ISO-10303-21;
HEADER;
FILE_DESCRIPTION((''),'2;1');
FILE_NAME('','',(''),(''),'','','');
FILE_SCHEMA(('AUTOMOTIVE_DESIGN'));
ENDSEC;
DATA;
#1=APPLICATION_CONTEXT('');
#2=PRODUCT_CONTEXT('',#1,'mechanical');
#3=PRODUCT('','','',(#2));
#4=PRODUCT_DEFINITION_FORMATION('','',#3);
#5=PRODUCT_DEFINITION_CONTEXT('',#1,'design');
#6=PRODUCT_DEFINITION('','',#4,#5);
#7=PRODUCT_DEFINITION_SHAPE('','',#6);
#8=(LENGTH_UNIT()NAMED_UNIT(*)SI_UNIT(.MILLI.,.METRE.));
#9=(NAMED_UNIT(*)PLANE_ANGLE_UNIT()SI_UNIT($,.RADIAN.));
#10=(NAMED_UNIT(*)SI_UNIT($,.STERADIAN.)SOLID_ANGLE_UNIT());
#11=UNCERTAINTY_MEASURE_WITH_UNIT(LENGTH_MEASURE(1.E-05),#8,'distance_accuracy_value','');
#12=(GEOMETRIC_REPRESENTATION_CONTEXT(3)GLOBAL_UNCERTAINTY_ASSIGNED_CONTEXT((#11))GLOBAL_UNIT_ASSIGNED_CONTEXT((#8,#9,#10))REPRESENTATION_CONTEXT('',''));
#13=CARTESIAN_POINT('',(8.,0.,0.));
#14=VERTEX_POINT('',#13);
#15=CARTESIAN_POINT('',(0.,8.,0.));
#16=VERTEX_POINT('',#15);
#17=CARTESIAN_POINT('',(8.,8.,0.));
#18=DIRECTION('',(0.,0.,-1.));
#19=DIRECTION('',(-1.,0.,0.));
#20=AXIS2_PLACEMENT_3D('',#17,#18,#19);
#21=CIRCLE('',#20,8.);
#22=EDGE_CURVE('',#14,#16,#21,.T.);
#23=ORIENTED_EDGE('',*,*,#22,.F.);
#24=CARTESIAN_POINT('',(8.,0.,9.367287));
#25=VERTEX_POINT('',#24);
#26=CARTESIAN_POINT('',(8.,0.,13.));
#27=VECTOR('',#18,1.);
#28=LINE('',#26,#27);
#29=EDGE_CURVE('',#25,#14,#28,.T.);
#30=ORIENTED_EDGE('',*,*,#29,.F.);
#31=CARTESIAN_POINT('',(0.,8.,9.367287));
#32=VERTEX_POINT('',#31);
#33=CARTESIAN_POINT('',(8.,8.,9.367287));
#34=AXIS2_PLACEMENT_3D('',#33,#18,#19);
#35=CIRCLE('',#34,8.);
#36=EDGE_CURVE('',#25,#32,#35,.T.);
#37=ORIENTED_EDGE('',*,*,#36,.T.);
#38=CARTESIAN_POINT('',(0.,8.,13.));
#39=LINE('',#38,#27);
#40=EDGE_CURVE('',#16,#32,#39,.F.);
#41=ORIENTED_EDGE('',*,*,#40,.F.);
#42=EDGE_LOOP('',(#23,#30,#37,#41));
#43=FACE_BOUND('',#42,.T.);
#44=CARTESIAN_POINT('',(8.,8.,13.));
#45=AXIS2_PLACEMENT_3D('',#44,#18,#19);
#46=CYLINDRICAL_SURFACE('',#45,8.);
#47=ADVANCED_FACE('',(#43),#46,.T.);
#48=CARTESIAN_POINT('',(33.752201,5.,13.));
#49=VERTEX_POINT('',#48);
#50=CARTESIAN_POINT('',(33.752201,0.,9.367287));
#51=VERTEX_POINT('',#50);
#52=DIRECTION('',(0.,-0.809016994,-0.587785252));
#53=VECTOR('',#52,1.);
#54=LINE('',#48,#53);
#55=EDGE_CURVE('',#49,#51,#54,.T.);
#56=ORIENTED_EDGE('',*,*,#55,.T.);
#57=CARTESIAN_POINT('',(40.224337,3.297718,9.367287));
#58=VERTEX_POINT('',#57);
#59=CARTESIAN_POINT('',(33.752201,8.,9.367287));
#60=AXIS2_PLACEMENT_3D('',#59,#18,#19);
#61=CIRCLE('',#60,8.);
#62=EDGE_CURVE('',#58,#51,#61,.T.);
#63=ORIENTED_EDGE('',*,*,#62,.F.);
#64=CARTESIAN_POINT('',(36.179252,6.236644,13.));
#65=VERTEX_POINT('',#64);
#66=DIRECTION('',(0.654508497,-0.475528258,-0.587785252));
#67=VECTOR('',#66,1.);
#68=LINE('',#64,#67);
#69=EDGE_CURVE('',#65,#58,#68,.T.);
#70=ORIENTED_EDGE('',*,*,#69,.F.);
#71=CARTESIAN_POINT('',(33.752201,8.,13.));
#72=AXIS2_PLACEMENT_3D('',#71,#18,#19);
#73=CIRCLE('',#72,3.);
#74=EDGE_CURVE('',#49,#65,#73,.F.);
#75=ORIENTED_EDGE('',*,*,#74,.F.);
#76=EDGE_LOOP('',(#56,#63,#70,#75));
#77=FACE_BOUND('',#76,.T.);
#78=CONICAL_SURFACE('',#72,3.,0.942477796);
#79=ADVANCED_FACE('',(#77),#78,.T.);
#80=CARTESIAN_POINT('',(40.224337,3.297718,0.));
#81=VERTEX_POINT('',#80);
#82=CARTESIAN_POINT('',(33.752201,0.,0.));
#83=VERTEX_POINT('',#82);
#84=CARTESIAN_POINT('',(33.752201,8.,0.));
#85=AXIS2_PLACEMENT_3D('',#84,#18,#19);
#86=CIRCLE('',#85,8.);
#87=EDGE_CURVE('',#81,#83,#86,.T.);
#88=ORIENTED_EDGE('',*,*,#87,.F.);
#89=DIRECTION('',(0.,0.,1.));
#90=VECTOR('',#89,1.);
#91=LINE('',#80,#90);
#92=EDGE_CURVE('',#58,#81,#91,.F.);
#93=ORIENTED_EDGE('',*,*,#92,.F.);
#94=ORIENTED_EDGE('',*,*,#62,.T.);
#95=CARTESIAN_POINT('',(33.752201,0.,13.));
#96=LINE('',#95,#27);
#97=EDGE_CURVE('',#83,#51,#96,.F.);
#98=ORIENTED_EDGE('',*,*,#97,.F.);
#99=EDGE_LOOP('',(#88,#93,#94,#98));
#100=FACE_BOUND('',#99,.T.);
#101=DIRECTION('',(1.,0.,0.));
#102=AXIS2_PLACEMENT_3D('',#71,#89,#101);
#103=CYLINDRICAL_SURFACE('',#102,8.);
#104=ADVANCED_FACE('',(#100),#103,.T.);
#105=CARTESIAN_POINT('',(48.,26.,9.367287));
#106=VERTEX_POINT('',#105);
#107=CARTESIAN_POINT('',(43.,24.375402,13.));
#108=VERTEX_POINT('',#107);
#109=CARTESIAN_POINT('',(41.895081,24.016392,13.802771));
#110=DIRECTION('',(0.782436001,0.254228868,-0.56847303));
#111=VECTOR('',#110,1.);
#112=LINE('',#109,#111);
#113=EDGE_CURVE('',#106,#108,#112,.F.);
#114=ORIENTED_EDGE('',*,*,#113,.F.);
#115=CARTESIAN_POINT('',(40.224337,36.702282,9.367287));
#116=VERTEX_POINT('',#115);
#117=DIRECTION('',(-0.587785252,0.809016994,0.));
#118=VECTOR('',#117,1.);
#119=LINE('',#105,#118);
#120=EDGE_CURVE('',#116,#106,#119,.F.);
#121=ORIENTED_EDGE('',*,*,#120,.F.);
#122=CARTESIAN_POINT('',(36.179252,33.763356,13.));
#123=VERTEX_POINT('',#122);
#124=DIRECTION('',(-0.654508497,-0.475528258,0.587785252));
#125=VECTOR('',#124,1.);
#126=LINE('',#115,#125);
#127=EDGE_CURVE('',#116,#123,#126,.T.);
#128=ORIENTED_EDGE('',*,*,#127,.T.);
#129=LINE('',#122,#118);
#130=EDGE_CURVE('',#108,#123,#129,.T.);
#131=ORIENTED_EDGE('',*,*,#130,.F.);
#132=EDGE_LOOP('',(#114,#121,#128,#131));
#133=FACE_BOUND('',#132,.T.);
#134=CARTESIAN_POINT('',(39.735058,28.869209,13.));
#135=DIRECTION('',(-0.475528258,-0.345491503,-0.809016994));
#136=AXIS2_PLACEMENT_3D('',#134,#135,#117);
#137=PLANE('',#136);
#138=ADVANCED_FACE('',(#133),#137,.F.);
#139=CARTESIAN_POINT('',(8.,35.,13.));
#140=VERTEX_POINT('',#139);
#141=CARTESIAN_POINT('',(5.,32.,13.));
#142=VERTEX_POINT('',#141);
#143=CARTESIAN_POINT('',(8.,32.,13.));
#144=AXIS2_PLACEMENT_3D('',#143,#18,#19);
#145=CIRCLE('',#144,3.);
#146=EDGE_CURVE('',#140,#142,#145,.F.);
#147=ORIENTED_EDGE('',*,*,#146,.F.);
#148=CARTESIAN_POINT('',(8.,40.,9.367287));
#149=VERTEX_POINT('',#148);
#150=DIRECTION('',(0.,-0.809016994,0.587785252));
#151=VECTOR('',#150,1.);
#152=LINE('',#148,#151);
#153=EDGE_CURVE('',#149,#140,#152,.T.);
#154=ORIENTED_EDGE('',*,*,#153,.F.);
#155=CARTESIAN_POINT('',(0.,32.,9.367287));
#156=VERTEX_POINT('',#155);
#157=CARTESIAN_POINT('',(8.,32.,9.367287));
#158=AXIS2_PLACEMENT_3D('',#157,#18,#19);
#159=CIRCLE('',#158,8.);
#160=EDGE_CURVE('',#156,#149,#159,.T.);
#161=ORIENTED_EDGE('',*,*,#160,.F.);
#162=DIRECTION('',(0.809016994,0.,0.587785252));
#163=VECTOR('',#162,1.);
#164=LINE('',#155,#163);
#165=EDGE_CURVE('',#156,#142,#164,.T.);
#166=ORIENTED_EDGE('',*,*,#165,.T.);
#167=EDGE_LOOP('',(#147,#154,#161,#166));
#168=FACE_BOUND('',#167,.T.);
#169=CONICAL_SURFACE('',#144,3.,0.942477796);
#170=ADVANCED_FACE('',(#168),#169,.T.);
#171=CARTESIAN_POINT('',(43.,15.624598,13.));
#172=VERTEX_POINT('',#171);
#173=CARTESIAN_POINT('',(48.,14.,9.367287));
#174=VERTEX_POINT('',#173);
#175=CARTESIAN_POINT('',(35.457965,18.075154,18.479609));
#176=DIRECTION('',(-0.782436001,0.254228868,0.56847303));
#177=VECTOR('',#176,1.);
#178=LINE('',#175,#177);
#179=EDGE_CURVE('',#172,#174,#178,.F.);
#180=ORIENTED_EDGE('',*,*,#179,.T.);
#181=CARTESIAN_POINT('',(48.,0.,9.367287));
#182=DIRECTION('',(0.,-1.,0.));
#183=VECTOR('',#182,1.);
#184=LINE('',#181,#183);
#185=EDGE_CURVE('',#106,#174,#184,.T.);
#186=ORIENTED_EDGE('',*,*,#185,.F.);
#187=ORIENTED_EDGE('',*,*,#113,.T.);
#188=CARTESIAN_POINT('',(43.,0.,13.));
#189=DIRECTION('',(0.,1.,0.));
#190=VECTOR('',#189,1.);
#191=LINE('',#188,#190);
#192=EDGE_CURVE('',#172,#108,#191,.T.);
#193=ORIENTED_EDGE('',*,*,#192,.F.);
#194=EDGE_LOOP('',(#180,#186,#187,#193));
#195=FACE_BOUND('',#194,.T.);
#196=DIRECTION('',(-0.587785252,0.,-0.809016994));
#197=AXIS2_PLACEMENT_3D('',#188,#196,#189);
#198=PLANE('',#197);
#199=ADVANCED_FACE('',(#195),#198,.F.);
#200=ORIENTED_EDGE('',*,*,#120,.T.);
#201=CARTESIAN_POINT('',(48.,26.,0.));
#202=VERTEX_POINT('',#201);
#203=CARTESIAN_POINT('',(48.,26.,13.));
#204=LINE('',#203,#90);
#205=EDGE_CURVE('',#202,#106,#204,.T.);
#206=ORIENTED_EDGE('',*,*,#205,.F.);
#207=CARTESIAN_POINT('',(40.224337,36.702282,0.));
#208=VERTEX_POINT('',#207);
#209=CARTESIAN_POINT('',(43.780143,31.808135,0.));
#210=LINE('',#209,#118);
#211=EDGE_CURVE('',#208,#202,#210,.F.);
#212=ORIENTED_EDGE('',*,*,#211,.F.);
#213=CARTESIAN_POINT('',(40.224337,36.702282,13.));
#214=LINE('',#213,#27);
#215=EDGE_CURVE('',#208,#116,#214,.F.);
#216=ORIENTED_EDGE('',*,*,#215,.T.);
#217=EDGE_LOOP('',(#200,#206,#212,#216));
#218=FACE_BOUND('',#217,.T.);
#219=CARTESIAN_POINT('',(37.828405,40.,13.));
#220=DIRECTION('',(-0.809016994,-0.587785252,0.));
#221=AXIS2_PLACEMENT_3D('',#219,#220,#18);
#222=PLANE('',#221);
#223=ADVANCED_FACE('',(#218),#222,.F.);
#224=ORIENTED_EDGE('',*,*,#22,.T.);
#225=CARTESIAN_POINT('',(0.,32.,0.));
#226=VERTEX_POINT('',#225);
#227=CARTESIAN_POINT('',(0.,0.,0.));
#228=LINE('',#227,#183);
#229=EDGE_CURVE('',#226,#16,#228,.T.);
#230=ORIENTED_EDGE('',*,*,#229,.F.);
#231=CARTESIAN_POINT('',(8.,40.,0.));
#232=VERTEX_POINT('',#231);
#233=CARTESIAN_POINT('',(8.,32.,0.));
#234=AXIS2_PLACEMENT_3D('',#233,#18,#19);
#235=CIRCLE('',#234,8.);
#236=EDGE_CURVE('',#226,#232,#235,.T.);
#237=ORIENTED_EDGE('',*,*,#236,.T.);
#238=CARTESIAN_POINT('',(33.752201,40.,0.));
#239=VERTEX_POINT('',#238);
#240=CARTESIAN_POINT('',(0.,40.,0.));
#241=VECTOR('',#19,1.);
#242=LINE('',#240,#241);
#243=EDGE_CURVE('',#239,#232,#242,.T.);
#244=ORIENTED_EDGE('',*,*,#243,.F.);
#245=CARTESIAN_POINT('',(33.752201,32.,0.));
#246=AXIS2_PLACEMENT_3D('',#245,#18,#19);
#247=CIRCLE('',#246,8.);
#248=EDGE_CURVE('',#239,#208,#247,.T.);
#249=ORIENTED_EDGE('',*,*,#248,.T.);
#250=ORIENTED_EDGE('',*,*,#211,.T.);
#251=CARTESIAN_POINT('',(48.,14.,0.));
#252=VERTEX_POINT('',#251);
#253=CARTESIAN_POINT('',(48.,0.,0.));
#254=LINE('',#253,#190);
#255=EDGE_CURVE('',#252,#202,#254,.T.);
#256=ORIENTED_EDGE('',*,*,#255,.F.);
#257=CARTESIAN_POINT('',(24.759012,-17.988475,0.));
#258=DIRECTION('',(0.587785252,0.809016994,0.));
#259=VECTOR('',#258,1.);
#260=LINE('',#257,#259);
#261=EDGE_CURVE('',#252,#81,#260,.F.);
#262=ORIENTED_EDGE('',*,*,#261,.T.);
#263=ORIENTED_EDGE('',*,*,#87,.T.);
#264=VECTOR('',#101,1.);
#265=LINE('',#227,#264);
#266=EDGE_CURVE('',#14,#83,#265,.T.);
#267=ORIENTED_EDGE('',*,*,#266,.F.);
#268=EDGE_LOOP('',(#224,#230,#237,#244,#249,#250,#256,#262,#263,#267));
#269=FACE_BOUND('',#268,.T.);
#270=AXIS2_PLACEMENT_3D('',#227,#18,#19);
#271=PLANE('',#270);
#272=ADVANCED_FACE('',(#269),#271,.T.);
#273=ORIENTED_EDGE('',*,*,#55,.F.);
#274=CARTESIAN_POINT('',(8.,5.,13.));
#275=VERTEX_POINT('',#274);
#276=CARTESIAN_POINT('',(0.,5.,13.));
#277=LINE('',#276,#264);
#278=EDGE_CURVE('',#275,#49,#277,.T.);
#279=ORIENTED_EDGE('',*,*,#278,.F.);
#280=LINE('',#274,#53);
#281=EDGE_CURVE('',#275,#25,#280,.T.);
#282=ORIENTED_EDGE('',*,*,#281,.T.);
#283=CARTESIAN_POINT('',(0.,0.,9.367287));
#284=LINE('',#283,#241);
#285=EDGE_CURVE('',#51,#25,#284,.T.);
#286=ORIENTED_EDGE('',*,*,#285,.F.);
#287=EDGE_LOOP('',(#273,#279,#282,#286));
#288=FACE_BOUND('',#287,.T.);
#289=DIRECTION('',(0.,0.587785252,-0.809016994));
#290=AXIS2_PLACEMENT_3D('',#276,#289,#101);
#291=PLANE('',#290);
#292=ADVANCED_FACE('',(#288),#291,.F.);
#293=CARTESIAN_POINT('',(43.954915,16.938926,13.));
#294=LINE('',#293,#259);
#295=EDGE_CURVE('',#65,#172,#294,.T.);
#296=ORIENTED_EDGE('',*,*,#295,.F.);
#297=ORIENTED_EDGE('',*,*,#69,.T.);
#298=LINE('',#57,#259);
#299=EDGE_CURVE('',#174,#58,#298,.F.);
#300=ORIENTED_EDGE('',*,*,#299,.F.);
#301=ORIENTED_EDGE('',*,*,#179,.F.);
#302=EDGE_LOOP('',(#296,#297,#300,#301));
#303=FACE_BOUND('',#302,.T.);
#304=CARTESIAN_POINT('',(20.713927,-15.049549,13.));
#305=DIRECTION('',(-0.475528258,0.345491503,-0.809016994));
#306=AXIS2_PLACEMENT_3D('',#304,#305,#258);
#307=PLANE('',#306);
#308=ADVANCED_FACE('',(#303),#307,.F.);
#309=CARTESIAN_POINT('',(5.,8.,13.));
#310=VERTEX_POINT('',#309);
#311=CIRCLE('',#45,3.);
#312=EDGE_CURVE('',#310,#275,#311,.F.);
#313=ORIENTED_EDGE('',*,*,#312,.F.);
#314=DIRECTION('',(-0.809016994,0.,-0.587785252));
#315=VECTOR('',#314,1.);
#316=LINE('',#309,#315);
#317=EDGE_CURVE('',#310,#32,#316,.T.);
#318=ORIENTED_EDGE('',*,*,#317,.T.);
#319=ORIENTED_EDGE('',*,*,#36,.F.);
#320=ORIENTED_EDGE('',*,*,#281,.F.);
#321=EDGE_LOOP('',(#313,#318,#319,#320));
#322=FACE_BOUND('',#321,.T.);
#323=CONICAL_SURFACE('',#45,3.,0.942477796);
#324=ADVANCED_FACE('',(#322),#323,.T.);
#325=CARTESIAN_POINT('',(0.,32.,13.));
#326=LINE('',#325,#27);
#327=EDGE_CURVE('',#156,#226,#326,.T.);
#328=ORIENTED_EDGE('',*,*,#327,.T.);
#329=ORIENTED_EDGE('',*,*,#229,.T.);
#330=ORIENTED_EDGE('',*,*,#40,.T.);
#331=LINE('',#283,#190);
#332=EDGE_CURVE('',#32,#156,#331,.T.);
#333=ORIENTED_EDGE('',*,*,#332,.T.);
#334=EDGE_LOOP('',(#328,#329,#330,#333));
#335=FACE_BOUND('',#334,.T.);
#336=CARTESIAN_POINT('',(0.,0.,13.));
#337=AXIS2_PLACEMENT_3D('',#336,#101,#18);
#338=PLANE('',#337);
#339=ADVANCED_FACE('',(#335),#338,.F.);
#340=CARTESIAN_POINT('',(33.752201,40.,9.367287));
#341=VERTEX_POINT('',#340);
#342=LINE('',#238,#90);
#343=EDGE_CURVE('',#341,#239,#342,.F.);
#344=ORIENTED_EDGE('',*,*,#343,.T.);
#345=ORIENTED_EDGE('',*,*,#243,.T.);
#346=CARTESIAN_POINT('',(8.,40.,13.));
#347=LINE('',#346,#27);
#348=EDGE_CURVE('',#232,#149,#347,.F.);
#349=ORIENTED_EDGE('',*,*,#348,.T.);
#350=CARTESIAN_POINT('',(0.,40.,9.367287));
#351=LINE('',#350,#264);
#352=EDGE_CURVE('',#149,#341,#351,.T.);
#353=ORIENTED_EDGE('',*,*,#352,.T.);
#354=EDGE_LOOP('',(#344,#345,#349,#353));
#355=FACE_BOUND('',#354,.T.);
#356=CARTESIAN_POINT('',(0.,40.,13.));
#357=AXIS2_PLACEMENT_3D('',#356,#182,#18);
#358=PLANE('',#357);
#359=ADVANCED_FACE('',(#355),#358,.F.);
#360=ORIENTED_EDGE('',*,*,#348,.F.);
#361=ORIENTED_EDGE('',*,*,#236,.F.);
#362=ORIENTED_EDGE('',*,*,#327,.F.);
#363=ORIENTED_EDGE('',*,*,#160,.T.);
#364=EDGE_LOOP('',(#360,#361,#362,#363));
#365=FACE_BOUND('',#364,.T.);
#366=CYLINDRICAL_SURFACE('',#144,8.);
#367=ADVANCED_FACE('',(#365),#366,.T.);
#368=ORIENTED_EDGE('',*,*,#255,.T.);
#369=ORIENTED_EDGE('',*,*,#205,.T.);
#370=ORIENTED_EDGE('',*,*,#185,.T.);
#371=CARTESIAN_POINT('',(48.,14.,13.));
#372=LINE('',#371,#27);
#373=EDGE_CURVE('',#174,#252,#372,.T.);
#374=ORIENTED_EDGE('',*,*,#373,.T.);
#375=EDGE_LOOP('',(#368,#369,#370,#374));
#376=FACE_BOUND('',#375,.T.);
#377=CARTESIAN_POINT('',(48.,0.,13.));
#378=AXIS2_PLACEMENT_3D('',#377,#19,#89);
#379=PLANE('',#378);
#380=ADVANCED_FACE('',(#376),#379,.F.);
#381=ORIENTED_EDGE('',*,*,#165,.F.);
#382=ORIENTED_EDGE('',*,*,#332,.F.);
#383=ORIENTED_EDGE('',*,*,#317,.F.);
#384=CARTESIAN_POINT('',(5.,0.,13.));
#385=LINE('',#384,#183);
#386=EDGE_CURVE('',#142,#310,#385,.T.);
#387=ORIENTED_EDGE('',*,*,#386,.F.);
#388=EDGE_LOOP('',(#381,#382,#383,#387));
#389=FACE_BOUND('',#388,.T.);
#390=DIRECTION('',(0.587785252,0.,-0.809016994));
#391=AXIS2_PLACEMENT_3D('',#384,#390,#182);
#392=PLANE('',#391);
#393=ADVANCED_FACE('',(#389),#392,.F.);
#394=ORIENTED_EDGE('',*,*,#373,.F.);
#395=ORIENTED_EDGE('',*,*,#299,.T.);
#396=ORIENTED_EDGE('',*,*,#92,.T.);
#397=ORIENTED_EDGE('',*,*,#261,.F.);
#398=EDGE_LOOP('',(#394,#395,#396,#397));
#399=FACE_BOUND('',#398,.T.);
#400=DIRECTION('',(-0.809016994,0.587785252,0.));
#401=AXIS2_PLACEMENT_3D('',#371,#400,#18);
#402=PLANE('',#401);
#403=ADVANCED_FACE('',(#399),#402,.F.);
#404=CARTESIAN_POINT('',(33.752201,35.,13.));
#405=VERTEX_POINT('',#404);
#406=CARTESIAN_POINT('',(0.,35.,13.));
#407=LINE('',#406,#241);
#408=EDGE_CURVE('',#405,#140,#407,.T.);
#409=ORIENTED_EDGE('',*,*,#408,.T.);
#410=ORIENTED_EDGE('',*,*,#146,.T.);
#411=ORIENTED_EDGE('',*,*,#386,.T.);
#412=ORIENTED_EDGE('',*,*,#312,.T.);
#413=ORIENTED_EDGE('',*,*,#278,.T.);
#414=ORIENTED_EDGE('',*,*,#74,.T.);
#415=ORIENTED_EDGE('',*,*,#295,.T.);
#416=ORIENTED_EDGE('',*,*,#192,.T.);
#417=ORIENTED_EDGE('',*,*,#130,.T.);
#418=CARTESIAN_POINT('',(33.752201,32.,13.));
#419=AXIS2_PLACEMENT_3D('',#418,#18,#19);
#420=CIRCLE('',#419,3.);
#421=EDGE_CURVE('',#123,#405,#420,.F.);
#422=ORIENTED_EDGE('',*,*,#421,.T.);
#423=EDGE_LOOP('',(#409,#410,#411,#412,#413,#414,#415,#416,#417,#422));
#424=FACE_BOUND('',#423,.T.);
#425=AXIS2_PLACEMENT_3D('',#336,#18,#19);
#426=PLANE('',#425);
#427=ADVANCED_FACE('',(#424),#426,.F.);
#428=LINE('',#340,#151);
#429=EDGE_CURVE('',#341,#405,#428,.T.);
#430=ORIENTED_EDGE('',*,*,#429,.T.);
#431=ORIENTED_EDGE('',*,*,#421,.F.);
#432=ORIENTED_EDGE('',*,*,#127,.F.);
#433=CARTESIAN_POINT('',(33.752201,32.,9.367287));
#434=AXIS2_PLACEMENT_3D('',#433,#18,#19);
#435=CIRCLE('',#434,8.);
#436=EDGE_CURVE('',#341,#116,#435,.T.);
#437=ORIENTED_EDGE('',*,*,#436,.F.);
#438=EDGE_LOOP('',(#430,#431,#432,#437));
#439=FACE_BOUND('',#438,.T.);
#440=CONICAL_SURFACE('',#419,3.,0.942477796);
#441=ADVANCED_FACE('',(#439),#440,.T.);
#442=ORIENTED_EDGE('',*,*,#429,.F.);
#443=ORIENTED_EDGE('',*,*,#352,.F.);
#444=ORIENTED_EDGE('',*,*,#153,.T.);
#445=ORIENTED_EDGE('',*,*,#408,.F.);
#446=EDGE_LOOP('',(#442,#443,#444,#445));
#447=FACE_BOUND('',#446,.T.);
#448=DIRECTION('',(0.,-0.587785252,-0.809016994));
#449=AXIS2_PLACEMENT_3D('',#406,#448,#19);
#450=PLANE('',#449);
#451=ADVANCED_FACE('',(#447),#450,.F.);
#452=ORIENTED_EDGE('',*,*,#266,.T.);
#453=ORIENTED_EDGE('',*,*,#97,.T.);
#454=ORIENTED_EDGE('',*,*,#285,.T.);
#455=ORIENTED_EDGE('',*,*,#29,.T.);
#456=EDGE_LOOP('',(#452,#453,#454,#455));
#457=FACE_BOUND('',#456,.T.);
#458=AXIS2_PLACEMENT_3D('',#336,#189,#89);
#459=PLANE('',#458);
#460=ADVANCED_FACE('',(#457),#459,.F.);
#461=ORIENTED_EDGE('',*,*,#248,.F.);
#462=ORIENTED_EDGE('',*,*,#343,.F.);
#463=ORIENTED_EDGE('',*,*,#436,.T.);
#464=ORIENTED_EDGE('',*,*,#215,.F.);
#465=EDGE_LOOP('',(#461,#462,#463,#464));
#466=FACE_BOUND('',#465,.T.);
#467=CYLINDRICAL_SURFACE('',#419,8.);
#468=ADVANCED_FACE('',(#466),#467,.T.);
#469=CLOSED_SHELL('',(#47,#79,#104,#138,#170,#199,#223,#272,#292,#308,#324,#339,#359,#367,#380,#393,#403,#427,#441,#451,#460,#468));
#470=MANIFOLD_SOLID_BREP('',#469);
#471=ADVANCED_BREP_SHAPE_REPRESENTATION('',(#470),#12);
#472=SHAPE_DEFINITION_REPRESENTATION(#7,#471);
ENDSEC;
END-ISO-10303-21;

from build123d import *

# Parameters (mm, degrees)
ESQUISSE1_W        = 48
ESQUISSE1_H        = 40
BOSS_EXTRU_1_DEPTH = 13
CONG_1_R           = 8
CHANFREIN1_SIZE    = 14
CHANFREIN1_SIZE2   = 10.171595392
CONG_2_R           = 8
CHANFREIN2_SIZE    = 5
CHANFREIN2_SIZE2   = 3.63271264


with BuildPart() as part:
    # Esquisse1 → Boss.-Extru.1 (new body)
    with BuildSketch(Plane.XY):
        with Locations((24, 20)):
            Rectangle(ESQUISSE1_W, ESQUISSE1_H)
    extrude(amount=BOSS_EXTRU_1_DEPTH)

    # Congé1
    cong_1_edges = [part.edges().sort_by_distance(p)[0] for p in [
        (0, 40, 6.5),
        (0, 0, 6.5),
    ]]
    fillet(cong_1_edges, radius=CONG_1_R)

    # Chanfrein1
    chanfrein1_edges = [part.edges().sort_by_distance(p)[0] for p in [
        (48, 40, 6.5),
        (48, 0, 6.5),
    ]]
    chanfrein1_side = [part.faces().sort_by_distance(p)[0] for p in [
        (48, 20, 6.5),
    ]]
    chamfer(chanfrein1_edges, length=CHANFREIN1_SIZE, length2=CHANFREIN1_SIZE2, reference=chanfrein1_side[0])

    # Congé2
    cong_2_edges = [part.edges().sort_by_distance(p)[0] for p in [
        (37.828404608, 0, 6.5),
        (37.828404608, 40, 6.5),
    ]]
    fillet(cong_2_edges, radius=CONG_2_R)

    # Chanfrein2
    chanfrein2_edges = [part.edges().sort_by_distance(p)[0] for p in [
        (20.876100506, 0, 13),
        (0, 20, 13),
        (2.343145751, 37.656854249, 13),
        (2.343145751, 2.343145751, 13),
        (48, 20, 13),
        (44.112168483, 31.351141009, 13),
        (20.876100506, 40, 13),
        (44.112168483, 8.648858991, 13),
        (37.38412501, 0.871947806, 13),
        (37.38412501, 39.128052194, 13),
    ]]
    chanfrein2_side = [part.faces().sort_by_distance(p)[0] for p in [
        (22.630137731, 20, 13),
    ]]
    chamfer(chanfrein2_edges, length=CHANFREIN2_SIZE, length2=CHANFREIN2_SIZE2, reference=chanfrein2_side[0])


solid = part.part
